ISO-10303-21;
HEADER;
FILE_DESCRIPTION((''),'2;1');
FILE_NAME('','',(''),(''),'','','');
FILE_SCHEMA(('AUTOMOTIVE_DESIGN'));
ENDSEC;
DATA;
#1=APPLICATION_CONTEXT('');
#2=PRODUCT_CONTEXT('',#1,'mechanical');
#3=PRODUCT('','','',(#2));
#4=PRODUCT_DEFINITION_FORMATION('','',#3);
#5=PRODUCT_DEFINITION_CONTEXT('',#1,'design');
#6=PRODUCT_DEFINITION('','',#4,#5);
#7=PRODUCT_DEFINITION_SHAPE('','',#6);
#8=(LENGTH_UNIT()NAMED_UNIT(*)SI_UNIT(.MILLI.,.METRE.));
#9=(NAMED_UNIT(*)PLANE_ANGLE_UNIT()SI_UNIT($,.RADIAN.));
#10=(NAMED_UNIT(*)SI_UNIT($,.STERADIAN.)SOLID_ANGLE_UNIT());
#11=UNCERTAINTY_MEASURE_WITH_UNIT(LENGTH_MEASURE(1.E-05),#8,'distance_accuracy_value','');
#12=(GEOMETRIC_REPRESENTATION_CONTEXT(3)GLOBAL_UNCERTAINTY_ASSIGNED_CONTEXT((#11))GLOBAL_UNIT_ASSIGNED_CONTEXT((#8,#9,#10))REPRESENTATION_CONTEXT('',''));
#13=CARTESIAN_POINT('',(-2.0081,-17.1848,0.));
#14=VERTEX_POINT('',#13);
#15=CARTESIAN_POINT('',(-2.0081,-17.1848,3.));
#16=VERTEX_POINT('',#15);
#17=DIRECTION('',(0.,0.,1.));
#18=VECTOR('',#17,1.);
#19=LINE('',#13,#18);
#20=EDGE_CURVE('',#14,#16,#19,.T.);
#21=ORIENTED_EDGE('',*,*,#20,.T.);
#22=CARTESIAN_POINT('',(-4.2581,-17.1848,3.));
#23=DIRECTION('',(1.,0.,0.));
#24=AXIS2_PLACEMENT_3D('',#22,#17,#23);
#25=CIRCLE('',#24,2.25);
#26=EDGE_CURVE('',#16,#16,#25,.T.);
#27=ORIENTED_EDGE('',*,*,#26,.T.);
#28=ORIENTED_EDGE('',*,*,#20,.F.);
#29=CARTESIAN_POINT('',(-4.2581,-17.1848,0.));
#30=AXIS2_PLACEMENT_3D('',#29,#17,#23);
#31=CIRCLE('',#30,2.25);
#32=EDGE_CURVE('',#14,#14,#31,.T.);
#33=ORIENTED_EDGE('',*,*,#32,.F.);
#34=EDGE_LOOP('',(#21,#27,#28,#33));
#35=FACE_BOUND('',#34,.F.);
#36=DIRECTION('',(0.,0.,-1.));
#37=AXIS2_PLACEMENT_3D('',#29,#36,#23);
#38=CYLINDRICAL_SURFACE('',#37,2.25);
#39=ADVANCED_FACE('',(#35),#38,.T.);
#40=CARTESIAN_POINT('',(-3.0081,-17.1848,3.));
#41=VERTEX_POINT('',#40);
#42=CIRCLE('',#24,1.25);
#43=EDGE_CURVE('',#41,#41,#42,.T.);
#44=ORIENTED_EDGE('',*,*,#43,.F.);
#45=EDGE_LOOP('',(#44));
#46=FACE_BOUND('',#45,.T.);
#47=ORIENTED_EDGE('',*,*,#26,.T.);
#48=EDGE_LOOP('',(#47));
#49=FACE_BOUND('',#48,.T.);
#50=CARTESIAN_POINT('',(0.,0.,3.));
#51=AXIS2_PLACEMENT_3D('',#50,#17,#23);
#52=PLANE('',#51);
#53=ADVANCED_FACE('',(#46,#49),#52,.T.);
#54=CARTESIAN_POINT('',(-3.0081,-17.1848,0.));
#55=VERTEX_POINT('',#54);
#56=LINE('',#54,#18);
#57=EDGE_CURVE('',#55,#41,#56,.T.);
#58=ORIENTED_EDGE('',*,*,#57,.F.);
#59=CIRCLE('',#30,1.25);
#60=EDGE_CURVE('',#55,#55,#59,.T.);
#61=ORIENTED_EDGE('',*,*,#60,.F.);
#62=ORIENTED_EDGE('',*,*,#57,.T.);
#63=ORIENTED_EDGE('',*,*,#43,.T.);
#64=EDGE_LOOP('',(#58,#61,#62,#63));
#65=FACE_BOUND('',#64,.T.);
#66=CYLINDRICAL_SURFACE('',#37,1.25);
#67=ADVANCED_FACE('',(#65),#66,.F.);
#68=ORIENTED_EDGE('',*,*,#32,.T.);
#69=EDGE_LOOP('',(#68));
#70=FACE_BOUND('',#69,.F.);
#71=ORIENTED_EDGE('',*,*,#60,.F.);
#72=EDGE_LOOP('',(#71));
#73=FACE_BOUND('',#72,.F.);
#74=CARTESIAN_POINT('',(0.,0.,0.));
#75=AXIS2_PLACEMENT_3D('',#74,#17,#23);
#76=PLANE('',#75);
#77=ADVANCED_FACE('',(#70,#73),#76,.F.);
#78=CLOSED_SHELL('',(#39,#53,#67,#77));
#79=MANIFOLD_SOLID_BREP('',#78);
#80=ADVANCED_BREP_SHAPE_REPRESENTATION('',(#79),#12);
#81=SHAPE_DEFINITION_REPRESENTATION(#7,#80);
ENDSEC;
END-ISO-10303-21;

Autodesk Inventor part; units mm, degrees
ref_plane "YZ Plane" through (0, 0, 0) normal (1, 0, 0) x (0, 1, 0)
ref_plane "XZ Plane" through (0, 0, 0) normal (0, 1, 0) x (-1, 0, 0)
ref_plane "XY Plane" through (0, 0, 0) normal (0, 0, 1) x (1, 0, 0)
sketch "Sketch1" plane through (0, 0, 0) normal (0, 0, 1) x (1, 0, 0)
  circle A0 centre (-4.2581, -17.1848) radius 1.25 projected
  circle A1 centre (27.9581, -35.7848) radius 1.25 projected
  circle A2 centre (13.8581, -60.2067) radius 1.25 projected
  circle A3 centre (-18.3581, -41.6067) radius 1.25 projected
  circle A4 centre (-4.2581, -17.1848) radius 2.25
  point P0 (0, 0)
  dimension "d0" = 4.5
extrude "Extrusion1" add sketch "Sketch1" along normal blind 3 contours A4
properties part number "servo_board_spacer"
